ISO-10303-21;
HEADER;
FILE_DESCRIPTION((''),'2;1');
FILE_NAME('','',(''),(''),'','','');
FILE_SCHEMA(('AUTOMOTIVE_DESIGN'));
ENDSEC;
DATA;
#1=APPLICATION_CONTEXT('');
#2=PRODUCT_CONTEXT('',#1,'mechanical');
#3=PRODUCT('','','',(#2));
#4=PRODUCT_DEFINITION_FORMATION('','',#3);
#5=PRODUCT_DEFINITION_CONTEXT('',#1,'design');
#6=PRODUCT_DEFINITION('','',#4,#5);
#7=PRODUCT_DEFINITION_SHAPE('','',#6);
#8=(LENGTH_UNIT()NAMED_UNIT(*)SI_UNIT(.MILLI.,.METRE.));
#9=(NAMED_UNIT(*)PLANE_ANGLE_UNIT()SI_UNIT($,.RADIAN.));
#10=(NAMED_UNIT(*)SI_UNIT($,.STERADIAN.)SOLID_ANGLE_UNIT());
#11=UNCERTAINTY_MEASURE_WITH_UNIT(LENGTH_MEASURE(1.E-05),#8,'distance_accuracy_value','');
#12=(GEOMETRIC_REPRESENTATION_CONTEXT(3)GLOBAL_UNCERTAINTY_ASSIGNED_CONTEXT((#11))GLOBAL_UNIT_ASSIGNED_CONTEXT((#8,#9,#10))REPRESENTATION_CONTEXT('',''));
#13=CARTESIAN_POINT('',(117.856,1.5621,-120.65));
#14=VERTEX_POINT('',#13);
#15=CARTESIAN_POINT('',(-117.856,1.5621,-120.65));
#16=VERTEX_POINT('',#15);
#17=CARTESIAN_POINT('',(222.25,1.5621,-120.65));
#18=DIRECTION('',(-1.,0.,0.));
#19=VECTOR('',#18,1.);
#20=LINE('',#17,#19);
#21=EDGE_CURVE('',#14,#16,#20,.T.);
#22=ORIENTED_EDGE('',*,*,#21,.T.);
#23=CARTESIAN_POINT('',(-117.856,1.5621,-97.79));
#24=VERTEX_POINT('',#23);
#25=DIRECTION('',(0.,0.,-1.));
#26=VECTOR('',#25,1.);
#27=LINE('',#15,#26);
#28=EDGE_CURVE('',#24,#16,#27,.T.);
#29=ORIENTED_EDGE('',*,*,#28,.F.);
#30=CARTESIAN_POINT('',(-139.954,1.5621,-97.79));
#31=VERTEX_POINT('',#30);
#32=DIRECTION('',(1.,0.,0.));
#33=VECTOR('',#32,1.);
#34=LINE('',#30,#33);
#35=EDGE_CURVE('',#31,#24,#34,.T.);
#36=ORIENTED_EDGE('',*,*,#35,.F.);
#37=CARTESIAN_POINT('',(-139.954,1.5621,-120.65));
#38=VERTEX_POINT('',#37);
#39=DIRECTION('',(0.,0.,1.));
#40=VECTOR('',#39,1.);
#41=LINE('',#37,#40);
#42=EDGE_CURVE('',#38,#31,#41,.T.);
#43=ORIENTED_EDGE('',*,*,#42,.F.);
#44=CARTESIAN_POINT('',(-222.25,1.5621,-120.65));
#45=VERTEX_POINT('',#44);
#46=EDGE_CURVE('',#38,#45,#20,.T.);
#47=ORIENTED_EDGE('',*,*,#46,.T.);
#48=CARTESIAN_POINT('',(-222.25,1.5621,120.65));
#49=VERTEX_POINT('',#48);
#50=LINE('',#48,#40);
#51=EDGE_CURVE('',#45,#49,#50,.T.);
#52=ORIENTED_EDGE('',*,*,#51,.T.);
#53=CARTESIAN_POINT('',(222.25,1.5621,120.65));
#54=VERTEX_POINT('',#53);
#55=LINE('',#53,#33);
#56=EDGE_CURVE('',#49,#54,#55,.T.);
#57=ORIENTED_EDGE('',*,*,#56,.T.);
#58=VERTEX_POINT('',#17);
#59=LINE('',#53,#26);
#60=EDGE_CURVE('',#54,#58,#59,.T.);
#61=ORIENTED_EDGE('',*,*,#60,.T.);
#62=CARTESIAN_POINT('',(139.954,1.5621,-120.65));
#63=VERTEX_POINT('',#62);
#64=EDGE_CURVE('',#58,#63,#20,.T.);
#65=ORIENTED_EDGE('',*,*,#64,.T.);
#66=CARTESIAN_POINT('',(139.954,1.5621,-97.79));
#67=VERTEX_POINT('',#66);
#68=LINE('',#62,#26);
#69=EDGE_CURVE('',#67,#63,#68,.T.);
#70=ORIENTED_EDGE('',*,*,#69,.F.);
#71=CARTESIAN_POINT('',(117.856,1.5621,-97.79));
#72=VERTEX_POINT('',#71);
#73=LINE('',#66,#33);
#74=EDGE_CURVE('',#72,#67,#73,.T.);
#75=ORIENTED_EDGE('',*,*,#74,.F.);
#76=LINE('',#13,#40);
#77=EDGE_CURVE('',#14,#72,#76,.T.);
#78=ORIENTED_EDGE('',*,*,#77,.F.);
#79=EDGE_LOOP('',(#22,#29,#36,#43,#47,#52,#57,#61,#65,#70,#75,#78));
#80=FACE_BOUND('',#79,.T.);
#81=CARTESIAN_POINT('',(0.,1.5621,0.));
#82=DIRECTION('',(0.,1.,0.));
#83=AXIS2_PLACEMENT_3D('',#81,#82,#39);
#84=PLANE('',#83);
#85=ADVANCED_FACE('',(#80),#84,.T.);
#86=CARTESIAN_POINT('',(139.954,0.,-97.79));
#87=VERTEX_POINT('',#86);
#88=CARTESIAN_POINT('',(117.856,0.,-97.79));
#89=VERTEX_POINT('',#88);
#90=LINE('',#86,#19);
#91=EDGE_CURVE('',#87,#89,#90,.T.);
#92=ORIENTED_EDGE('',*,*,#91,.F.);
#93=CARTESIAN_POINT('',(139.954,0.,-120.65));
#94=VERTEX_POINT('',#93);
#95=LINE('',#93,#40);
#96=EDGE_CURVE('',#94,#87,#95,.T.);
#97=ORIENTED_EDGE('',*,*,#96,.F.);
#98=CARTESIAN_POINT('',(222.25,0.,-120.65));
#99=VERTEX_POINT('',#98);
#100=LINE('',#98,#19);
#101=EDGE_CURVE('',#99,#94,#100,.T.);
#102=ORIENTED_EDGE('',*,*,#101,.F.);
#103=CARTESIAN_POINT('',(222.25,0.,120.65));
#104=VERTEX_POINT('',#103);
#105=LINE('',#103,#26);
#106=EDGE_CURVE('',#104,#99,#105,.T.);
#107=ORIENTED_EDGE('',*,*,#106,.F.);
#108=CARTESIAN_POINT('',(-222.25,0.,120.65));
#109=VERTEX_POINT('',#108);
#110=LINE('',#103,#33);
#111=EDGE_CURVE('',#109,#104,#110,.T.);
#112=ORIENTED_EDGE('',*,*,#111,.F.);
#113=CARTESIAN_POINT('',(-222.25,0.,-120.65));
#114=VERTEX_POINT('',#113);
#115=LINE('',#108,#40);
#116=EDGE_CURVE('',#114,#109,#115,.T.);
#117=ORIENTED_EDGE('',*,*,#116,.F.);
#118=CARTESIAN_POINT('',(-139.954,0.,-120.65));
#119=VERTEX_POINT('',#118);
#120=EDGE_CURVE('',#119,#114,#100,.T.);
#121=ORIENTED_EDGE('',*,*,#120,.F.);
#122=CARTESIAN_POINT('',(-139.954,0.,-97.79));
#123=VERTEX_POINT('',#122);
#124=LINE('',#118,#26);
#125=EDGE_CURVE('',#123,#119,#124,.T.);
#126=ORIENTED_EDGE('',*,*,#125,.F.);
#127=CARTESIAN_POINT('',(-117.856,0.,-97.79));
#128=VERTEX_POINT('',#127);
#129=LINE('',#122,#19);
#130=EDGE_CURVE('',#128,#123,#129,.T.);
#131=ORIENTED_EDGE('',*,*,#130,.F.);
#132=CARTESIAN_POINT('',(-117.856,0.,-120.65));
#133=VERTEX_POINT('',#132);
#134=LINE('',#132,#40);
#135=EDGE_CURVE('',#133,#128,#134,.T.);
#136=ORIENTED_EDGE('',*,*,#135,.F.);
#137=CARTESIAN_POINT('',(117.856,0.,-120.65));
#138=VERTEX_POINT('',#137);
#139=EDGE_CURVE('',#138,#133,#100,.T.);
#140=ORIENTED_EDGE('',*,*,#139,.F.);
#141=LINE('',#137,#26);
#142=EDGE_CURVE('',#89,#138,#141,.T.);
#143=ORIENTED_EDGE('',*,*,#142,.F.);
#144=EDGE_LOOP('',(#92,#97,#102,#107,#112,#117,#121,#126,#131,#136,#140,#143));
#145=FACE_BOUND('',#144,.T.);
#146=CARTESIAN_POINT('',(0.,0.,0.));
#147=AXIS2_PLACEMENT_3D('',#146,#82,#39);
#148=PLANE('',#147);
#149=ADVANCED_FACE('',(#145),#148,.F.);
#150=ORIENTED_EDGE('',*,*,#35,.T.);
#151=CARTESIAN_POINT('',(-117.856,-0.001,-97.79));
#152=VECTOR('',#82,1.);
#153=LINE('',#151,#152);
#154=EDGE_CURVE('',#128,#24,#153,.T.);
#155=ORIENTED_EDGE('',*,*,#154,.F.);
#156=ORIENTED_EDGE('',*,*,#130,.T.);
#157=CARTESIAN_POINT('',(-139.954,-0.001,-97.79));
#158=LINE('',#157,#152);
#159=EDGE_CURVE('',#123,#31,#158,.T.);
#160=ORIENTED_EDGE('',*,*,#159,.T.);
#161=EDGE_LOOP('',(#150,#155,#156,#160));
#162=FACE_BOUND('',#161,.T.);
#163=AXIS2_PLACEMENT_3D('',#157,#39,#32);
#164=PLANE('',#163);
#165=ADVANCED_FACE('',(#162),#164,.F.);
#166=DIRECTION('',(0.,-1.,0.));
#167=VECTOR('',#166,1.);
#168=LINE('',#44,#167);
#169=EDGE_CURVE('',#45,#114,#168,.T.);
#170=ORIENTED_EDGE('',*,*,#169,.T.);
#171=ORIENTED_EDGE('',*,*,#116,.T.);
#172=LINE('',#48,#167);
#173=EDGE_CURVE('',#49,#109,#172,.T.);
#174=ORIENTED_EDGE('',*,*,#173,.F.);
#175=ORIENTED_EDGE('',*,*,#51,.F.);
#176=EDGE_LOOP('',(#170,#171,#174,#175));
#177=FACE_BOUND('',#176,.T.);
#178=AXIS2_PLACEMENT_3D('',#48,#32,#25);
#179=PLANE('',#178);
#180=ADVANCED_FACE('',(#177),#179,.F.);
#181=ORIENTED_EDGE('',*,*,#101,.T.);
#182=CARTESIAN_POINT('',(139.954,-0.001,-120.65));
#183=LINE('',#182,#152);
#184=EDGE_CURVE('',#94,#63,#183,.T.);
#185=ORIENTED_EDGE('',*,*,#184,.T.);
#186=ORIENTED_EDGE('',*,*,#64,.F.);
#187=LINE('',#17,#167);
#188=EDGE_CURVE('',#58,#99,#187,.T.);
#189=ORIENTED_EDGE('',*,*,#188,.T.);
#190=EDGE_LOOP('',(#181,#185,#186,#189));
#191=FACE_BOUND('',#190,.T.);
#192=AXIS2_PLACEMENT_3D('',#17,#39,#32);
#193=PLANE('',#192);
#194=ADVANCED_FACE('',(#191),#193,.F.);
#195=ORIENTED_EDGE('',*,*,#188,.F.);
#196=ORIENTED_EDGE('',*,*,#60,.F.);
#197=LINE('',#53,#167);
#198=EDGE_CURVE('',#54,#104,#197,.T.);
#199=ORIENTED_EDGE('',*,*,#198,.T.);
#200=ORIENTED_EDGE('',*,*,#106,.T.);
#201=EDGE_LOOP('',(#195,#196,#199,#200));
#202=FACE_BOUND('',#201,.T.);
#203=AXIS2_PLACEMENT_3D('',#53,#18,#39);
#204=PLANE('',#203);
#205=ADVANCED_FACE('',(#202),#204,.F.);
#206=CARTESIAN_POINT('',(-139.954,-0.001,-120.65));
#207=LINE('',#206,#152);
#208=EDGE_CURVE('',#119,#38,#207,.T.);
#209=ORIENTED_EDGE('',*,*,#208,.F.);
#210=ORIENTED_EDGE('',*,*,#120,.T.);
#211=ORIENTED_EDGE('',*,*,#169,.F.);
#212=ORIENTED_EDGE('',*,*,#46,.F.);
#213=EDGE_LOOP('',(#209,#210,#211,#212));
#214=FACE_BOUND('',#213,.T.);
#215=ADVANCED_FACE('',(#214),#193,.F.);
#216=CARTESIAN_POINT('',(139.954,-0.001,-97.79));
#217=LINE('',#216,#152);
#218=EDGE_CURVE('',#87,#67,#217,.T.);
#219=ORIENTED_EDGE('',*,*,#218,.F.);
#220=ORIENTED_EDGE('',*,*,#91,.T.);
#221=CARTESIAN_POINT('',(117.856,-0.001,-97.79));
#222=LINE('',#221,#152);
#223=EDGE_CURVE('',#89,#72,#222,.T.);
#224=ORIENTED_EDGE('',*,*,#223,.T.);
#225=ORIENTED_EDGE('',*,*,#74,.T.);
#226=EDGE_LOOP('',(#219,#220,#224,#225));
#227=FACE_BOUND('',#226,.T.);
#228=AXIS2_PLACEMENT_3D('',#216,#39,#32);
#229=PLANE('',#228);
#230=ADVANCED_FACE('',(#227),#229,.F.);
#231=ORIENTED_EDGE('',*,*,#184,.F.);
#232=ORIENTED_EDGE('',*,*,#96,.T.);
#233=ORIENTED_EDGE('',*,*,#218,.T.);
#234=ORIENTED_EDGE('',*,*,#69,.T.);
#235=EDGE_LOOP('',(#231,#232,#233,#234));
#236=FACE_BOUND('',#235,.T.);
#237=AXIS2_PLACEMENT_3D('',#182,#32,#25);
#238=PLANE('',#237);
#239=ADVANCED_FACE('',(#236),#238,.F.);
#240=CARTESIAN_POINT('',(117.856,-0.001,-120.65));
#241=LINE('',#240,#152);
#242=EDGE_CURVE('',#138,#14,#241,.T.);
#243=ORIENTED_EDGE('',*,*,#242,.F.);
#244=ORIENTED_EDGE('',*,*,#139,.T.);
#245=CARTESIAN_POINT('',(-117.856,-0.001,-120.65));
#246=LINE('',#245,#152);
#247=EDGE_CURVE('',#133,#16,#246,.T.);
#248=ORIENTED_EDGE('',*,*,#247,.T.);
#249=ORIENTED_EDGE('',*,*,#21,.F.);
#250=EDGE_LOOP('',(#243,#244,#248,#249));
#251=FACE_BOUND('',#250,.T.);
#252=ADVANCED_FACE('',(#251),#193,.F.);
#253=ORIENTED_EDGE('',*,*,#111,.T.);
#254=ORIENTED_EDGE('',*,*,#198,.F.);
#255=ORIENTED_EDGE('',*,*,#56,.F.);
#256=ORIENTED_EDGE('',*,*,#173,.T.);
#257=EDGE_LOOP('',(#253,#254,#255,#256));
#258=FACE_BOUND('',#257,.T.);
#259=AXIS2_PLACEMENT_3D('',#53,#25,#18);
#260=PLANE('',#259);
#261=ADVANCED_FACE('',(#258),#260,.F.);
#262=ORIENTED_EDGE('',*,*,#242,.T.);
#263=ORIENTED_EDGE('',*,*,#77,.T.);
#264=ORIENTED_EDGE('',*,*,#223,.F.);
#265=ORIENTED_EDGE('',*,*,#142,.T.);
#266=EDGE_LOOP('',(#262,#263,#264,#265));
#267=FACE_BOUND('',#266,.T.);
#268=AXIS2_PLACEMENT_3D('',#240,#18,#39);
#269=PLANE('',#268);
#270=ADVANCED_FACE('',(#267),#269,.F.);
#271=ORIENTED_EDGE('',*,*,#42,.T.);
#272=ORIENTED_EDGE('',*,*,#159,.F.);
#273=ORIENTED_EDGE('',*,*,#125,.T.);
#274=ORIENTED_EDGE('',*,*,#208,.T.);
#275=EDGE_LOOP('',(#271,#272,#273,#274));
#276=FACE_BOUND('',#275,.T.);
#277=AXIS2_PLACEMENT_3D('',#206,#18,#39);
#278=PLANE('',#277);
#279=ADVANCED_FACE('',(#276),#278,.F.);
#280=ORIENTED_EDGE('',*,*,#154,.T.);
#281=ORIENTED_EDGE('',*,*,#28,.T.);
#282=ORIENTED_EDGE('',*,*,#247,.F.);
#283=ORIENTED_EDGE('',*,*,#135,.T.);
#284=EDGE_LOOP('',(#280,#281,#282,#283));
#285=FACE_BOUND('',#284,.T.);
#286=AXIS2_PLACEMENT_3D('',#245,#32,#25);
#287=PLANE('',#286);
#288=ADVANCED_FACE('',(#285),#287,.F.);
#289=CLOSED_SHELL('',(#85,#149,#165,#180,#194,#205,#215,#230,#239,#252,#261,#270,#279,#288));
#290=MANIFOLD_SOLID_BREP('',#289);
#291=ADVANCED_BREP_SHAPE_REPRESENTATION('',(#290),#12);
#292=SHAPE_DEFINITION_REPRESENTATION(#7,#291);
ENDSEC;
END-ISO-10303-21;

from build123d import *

# Parameters (mm, degrees)
SKETCH1_W           = 444.5
SKETCH1_H           = 241.3
BOSS_EXTRUDE1_DEPTH = 1.5621
CUT_EXTRUDE1_REACH  = 254.891
SKETCH2_W           = 22.098
SKETCH2_H           = 22.86


with BuildPart() as part:
    # Sketch1 → Boss-Extrude1 (new body)
    with BuildSketch(Plane(origin=(0, 0, 0), x_dir=(1, 0, 0), z_dir=(0, 1, 0))):
        Rectangle(SKETCH1_W, SKETCH1_H)
    extrude(amount=BOSS_EXTRUDE1_DEPTH)

    # Sketch2 → Cut-Extrude1 (cut, up to next)
    with BuildSketch(Plane(origin=(0, 1.5621, 0), x_dir=(1, 0, 0), z_dir=(0, 1, 0)), mode=Mode.PRIVATE) as cut_extrude1_sk1:
        with Locations((-128.905, 109.22)):
            Rectangle(SKETCH2_W, SKETCH2_H)
    cut_extrude1_tool1 = extrude(cut_extrude1_sk1.sketch, amount=-CUT_EXTRUDE1_REACH, mode=Mode.PRIVATE) & part.part
    # Sketch2 → Cut-Extrude1 (cut, up to next)
    with BuildSketch(Plane(origin=(0, 1.5621, 0), x_dir=(1, 0, 0), z_dir=(0, 1, 0)), mode=Mode.PRIVATE) as cut_extrude1_sk2:
        with Locations((128.905, 109.22)):
            Rectangle(SKETCH2_W, SKETCH2_H)
    cut_extrude1_tool2 = extrude(cut_extrude1_sk2.sketch, amount=-CUT_EXTRUDE1_REACH, mode=Mode.PRIVATE) & part.part
    add(cut_extrude1_tool1.solids().sort_by_distance((-128.905, 1.5621, -109.22))[0], mode=Mode.SUBTRACT)
    add(cut_extrude1_tool2.solids().sort_by_distance((128.905, 1.5621, -109.22))[0], mode=Mode.SUBTRACT)


solid = part.part
